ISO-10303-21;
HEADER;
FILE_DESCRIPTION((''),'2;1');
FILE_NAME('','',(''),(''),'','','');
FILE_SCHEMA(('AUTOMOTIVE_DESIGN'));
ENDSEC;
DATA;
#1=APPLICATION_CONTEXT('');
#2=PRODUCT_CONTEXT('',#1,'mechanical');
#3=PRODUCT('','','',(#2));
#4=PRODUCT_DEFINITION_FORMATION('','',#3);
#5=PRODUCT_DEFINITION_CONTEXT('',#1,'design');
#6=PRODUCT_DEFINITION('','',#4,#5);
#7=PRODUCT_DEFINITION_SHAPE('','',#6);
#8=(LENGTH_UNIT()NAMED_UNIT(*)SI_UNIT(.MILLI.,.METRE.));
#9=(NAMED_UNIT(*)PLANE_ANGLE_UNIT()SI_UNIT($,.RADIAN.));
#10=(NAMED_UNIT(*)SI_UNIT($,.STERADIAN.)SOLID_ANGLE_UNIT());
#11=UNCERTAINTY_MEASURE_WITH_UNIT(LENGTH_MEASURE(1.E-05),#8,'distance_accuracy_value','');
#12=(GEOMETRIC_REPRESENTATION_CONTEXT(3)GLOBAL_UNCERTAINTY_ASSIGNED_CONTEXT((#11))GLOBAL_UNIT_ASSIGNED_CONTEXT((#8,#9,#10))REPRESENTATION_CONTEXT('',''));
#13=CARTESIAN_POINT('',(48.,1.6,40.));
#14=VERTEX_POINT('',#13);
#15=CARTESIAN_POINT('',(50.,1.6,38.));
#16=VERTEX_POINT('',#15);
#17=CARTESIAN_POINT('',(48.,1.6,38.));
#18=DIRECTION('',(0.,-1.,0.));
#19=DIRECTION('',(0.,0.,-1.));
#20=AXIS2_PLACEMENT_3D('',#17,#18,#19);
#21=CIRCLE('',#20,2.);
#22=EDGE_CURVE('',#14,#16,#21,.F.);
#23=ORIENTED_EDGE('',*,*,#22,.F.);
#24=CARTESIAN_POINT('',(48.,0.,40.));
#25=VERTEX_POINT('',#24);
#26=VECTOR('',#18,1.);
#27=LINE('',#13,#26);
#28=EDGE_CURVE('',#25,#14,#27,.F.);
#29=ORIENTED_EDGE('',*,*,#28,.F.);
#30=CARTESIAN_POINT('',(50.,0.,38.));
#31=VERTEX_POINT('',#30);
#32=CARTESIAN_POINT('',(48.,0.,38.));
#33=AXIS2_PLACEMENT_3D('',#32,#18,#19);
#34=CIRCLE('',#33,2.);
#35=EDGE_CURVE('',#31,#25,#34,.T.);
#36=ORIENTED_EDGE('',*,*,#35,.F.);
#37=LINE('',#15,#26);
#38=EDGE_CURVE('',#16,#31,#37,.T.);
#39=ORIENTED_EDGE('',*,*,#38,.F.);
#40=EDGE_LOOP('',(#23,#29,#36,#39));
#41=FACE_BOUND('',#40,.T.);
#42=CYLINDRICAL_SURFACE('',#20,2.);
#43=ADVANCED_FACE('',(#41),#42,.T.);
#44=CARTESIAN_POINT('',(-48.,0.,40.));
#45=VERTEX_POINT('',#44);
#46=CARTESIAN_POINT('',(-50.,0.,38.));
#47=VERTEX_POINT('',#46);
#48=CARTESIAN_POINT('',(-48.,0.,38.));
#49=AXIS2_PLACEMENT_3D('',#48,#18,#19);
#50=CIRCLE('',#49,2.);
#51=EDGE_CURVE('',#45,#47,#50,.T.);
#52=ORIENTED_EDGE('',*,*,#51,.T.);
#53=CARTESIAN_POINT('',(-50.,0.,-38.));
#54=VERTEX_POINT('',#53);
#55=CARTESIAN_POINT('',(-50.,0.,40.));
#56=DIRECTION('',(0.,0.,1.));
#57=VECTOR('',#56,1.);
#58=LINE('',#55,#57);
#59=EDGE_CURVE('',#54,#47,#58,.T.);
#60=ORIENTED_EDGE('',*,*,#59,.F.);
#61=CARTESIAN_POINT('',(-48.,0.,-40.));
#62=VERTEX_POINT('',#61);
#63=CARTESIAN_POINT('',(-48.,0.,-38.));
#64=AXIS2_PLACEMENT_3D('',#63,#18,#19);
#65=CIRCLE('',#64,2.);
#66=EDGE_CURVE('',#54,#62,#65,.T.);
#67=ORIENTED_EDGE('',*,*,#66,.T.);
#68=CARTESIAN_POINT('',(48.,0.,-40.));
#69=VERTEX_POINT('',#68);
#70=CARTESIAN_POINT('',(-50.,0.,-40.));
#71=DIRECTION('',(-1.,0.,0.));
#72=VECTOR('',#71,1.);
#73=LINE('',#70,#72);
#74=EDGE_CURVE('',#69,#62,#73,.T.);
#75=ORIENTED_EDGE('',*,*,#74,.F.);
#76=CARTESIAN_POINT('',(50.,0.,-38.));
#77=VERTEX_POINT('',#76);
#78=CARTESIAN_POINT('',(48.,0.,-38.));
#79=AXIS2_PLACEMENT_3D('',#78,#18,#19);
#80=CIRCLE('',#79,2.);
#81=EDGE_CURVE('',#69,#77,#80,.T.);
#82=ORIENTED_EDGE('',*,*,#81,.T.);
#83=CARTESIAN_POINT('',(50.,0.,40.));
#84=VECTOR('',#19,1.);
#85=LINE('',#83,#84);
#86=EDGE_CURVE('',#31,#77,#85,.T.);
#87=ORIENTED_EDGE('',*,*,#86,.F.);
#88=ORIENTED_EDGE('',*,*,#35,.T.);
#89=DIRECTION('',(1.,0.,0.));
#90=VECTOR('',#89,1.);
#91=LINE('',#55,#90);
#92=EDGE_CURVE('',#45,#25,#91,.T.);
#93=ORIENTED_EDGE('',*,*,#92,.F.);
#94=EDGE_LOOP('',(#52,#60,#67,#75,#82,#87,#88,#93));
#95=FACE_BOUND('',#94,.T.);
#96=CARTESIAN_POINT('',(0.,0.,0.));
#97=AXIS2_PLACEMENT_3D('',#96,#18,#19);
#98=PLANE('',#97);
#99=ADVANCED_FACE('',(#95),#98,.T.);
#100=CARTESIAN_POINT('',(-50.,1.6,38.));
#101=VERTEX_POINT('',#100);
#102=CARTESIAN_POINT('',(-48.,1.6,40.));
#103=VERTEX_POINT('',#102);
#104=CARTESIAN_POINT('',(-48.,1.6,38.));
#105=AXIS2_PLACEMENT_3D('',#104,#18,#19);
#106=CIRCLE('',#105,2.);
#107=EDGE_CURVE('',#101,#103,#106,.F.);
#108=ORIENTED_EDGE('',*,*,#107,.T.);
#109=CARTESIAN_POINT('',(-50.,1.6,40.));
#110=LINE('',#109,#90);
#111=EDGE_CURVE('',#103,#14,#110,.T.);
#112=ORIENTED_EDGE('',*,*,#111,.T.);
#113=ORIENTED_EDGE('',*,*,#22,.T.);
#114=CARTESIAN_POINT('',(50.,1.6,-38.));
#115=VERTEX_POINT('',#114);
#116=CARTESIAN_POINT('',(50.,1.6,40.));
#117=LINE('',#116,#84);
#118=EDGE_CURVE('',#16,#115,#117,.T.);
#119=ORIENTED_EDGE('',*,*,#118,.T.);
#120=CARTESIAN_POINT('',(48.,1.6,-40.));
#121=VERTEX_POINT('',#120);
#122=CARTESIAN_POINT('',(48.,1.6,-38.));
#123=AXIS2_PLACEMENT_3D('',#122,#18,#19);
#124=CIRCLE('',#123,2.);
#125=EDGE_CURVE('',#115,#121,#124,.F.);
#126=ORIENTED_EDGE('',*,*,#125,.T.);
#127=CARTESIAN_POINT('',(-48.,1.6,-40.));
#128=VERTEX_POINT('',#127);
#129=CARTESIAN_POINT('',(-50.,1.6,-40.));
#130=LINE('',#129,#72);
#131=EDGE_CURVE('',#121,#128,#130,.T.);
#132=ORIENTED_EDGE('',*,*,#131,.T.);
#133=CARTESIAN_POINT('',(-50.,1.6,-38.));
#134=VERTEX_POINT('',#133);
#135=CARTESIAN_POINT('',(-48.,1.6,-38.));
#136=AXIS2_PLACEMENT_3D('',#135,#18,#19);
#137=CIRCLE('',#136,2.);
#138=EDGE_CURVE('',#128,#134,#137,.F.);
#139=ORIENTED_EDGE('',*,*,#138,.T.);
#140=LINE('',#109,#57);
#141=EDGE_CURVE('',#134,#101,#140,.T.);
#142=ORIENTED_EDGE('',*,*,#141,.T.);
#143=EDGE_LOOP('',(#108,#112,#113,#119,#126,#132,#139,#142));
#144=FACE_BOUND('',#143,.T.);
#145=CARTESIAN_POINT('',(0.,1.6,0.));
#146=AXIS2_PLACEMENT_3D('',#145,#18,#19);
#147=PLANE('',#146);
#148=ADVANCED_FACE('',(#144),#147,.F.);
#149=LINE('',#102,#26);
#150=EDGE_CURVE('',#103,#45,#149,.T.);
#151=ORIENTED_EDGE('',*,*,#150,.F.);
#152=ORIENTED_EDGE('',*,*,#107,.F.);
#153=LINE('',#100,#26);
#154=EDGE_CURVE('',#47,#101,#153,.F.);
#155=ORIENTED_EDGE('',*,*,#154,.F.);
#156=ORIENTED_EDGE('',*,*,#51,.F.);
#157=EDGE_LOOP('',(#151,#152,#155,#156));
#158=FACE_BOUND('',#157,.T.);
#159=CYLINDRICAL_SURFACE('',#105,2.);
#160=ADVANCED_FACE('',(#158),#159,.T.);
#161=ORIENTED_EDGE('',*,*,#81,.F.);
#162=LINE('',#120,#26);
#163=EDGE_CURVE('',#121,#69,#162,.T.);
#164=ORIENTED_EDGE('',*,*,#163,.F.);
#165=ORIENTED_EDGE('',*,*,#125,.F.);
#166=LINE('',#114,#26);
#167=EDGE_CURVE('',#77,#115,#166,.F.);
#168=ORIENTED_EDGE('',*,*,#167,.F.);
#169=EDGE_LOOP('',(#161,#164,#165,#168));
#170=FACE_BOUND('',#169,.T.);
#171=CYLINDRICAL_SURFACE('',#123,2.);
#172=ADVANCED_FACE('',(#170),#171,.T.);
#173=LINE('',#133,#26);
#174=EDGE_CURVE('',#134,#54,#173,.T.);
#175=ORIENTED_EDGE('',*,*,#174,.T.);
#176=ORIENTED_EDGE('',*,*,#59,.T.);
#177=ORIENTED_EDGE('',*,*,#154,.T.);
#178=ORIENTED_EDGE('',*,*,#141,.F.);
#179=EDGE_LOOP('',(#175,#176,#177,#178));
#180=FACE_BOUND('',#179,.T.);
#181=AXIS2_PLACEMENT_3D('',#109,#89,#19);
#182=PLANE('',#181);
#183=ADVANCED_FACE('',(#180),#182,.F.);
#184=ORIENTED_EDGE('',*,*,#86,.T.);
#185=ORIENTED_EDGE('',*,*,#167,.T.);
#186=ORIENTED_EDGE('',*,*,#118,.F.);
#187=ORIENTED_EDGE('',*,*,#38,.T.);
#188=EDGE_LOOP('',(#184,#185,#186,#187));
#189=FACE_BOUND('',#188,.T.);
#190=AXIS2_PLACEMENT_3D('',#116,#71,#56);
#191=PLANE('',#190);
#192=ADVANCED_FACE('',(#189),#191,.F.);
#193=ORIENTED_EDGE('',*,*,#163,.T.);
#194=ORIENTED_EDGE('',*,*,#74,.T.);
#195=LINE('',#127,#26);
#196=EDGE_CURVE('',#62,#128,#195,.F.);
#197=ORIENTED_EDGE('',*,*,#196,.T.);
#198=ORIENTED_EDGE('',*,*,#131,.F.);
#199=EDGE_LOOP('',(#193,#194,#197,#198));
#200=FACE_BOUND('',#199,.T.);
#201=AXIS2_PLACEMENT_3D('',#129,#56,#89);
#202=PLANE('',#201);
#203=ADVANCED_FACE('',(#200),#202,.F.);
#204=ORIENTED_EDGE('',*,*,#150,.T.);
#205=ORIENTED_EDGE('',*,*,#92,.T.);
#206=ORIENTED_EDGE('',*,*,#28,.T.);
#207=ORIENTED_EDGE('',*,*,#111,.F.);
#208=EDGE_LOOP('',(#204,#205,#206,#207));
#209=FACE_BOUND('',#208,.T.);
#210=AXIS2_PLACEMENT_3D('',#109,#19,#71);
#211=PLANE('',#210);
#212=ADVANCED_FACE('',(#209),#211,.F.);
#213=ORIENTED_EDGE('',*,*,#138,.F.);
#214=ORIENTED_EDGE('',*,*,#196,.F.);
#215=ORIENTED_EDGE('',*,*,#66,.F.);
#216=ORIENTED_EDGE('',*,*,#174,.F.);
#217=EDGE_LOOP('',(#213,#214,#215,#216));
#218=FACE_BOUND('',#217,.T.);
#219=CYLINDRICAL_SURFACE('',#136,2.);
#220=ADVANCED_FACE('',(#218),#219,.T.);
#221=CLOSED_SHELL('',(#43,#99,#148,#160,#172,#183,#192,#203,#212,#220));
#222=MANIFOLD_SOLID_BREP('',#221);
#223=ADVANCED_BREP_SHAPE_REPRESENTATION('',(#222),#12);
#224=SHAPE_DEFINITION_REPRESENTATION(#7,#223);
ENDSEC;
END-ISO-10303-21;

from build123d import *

# Parameters (mm, degrees)
SKETCH_1_W      = 100
SKETCH_1_H      = 80
EXTRUDE_1_DEPTH = 1.6
FILLET_1_R      = 2


with BuildPart() as part:
    # 草图1 → 凸台-拉伸1 (new body)
    with BuildSketch(Plane(origin=(0, 0, 0), x_dir=(1, 0, 0), z_dir=(0, 1, 0))):
        Rectangle(SKETCH_1_W, SKETCH_1_H)
    extrude(amount=EXTRUDE_1_DEPTH)

    # 圆角1
    fillet_1_edges = [part.edges().sort_by_distance(p)[0] for p in [
        (50, 0.8, 40),
        (-50, 0.8, 40),
        (-50, 0.8, -40),
        (50, 0.8, -40),
    ]]
    fillet(fillet_1_edges, radius=FILLET_1_R)


solid = part.part
